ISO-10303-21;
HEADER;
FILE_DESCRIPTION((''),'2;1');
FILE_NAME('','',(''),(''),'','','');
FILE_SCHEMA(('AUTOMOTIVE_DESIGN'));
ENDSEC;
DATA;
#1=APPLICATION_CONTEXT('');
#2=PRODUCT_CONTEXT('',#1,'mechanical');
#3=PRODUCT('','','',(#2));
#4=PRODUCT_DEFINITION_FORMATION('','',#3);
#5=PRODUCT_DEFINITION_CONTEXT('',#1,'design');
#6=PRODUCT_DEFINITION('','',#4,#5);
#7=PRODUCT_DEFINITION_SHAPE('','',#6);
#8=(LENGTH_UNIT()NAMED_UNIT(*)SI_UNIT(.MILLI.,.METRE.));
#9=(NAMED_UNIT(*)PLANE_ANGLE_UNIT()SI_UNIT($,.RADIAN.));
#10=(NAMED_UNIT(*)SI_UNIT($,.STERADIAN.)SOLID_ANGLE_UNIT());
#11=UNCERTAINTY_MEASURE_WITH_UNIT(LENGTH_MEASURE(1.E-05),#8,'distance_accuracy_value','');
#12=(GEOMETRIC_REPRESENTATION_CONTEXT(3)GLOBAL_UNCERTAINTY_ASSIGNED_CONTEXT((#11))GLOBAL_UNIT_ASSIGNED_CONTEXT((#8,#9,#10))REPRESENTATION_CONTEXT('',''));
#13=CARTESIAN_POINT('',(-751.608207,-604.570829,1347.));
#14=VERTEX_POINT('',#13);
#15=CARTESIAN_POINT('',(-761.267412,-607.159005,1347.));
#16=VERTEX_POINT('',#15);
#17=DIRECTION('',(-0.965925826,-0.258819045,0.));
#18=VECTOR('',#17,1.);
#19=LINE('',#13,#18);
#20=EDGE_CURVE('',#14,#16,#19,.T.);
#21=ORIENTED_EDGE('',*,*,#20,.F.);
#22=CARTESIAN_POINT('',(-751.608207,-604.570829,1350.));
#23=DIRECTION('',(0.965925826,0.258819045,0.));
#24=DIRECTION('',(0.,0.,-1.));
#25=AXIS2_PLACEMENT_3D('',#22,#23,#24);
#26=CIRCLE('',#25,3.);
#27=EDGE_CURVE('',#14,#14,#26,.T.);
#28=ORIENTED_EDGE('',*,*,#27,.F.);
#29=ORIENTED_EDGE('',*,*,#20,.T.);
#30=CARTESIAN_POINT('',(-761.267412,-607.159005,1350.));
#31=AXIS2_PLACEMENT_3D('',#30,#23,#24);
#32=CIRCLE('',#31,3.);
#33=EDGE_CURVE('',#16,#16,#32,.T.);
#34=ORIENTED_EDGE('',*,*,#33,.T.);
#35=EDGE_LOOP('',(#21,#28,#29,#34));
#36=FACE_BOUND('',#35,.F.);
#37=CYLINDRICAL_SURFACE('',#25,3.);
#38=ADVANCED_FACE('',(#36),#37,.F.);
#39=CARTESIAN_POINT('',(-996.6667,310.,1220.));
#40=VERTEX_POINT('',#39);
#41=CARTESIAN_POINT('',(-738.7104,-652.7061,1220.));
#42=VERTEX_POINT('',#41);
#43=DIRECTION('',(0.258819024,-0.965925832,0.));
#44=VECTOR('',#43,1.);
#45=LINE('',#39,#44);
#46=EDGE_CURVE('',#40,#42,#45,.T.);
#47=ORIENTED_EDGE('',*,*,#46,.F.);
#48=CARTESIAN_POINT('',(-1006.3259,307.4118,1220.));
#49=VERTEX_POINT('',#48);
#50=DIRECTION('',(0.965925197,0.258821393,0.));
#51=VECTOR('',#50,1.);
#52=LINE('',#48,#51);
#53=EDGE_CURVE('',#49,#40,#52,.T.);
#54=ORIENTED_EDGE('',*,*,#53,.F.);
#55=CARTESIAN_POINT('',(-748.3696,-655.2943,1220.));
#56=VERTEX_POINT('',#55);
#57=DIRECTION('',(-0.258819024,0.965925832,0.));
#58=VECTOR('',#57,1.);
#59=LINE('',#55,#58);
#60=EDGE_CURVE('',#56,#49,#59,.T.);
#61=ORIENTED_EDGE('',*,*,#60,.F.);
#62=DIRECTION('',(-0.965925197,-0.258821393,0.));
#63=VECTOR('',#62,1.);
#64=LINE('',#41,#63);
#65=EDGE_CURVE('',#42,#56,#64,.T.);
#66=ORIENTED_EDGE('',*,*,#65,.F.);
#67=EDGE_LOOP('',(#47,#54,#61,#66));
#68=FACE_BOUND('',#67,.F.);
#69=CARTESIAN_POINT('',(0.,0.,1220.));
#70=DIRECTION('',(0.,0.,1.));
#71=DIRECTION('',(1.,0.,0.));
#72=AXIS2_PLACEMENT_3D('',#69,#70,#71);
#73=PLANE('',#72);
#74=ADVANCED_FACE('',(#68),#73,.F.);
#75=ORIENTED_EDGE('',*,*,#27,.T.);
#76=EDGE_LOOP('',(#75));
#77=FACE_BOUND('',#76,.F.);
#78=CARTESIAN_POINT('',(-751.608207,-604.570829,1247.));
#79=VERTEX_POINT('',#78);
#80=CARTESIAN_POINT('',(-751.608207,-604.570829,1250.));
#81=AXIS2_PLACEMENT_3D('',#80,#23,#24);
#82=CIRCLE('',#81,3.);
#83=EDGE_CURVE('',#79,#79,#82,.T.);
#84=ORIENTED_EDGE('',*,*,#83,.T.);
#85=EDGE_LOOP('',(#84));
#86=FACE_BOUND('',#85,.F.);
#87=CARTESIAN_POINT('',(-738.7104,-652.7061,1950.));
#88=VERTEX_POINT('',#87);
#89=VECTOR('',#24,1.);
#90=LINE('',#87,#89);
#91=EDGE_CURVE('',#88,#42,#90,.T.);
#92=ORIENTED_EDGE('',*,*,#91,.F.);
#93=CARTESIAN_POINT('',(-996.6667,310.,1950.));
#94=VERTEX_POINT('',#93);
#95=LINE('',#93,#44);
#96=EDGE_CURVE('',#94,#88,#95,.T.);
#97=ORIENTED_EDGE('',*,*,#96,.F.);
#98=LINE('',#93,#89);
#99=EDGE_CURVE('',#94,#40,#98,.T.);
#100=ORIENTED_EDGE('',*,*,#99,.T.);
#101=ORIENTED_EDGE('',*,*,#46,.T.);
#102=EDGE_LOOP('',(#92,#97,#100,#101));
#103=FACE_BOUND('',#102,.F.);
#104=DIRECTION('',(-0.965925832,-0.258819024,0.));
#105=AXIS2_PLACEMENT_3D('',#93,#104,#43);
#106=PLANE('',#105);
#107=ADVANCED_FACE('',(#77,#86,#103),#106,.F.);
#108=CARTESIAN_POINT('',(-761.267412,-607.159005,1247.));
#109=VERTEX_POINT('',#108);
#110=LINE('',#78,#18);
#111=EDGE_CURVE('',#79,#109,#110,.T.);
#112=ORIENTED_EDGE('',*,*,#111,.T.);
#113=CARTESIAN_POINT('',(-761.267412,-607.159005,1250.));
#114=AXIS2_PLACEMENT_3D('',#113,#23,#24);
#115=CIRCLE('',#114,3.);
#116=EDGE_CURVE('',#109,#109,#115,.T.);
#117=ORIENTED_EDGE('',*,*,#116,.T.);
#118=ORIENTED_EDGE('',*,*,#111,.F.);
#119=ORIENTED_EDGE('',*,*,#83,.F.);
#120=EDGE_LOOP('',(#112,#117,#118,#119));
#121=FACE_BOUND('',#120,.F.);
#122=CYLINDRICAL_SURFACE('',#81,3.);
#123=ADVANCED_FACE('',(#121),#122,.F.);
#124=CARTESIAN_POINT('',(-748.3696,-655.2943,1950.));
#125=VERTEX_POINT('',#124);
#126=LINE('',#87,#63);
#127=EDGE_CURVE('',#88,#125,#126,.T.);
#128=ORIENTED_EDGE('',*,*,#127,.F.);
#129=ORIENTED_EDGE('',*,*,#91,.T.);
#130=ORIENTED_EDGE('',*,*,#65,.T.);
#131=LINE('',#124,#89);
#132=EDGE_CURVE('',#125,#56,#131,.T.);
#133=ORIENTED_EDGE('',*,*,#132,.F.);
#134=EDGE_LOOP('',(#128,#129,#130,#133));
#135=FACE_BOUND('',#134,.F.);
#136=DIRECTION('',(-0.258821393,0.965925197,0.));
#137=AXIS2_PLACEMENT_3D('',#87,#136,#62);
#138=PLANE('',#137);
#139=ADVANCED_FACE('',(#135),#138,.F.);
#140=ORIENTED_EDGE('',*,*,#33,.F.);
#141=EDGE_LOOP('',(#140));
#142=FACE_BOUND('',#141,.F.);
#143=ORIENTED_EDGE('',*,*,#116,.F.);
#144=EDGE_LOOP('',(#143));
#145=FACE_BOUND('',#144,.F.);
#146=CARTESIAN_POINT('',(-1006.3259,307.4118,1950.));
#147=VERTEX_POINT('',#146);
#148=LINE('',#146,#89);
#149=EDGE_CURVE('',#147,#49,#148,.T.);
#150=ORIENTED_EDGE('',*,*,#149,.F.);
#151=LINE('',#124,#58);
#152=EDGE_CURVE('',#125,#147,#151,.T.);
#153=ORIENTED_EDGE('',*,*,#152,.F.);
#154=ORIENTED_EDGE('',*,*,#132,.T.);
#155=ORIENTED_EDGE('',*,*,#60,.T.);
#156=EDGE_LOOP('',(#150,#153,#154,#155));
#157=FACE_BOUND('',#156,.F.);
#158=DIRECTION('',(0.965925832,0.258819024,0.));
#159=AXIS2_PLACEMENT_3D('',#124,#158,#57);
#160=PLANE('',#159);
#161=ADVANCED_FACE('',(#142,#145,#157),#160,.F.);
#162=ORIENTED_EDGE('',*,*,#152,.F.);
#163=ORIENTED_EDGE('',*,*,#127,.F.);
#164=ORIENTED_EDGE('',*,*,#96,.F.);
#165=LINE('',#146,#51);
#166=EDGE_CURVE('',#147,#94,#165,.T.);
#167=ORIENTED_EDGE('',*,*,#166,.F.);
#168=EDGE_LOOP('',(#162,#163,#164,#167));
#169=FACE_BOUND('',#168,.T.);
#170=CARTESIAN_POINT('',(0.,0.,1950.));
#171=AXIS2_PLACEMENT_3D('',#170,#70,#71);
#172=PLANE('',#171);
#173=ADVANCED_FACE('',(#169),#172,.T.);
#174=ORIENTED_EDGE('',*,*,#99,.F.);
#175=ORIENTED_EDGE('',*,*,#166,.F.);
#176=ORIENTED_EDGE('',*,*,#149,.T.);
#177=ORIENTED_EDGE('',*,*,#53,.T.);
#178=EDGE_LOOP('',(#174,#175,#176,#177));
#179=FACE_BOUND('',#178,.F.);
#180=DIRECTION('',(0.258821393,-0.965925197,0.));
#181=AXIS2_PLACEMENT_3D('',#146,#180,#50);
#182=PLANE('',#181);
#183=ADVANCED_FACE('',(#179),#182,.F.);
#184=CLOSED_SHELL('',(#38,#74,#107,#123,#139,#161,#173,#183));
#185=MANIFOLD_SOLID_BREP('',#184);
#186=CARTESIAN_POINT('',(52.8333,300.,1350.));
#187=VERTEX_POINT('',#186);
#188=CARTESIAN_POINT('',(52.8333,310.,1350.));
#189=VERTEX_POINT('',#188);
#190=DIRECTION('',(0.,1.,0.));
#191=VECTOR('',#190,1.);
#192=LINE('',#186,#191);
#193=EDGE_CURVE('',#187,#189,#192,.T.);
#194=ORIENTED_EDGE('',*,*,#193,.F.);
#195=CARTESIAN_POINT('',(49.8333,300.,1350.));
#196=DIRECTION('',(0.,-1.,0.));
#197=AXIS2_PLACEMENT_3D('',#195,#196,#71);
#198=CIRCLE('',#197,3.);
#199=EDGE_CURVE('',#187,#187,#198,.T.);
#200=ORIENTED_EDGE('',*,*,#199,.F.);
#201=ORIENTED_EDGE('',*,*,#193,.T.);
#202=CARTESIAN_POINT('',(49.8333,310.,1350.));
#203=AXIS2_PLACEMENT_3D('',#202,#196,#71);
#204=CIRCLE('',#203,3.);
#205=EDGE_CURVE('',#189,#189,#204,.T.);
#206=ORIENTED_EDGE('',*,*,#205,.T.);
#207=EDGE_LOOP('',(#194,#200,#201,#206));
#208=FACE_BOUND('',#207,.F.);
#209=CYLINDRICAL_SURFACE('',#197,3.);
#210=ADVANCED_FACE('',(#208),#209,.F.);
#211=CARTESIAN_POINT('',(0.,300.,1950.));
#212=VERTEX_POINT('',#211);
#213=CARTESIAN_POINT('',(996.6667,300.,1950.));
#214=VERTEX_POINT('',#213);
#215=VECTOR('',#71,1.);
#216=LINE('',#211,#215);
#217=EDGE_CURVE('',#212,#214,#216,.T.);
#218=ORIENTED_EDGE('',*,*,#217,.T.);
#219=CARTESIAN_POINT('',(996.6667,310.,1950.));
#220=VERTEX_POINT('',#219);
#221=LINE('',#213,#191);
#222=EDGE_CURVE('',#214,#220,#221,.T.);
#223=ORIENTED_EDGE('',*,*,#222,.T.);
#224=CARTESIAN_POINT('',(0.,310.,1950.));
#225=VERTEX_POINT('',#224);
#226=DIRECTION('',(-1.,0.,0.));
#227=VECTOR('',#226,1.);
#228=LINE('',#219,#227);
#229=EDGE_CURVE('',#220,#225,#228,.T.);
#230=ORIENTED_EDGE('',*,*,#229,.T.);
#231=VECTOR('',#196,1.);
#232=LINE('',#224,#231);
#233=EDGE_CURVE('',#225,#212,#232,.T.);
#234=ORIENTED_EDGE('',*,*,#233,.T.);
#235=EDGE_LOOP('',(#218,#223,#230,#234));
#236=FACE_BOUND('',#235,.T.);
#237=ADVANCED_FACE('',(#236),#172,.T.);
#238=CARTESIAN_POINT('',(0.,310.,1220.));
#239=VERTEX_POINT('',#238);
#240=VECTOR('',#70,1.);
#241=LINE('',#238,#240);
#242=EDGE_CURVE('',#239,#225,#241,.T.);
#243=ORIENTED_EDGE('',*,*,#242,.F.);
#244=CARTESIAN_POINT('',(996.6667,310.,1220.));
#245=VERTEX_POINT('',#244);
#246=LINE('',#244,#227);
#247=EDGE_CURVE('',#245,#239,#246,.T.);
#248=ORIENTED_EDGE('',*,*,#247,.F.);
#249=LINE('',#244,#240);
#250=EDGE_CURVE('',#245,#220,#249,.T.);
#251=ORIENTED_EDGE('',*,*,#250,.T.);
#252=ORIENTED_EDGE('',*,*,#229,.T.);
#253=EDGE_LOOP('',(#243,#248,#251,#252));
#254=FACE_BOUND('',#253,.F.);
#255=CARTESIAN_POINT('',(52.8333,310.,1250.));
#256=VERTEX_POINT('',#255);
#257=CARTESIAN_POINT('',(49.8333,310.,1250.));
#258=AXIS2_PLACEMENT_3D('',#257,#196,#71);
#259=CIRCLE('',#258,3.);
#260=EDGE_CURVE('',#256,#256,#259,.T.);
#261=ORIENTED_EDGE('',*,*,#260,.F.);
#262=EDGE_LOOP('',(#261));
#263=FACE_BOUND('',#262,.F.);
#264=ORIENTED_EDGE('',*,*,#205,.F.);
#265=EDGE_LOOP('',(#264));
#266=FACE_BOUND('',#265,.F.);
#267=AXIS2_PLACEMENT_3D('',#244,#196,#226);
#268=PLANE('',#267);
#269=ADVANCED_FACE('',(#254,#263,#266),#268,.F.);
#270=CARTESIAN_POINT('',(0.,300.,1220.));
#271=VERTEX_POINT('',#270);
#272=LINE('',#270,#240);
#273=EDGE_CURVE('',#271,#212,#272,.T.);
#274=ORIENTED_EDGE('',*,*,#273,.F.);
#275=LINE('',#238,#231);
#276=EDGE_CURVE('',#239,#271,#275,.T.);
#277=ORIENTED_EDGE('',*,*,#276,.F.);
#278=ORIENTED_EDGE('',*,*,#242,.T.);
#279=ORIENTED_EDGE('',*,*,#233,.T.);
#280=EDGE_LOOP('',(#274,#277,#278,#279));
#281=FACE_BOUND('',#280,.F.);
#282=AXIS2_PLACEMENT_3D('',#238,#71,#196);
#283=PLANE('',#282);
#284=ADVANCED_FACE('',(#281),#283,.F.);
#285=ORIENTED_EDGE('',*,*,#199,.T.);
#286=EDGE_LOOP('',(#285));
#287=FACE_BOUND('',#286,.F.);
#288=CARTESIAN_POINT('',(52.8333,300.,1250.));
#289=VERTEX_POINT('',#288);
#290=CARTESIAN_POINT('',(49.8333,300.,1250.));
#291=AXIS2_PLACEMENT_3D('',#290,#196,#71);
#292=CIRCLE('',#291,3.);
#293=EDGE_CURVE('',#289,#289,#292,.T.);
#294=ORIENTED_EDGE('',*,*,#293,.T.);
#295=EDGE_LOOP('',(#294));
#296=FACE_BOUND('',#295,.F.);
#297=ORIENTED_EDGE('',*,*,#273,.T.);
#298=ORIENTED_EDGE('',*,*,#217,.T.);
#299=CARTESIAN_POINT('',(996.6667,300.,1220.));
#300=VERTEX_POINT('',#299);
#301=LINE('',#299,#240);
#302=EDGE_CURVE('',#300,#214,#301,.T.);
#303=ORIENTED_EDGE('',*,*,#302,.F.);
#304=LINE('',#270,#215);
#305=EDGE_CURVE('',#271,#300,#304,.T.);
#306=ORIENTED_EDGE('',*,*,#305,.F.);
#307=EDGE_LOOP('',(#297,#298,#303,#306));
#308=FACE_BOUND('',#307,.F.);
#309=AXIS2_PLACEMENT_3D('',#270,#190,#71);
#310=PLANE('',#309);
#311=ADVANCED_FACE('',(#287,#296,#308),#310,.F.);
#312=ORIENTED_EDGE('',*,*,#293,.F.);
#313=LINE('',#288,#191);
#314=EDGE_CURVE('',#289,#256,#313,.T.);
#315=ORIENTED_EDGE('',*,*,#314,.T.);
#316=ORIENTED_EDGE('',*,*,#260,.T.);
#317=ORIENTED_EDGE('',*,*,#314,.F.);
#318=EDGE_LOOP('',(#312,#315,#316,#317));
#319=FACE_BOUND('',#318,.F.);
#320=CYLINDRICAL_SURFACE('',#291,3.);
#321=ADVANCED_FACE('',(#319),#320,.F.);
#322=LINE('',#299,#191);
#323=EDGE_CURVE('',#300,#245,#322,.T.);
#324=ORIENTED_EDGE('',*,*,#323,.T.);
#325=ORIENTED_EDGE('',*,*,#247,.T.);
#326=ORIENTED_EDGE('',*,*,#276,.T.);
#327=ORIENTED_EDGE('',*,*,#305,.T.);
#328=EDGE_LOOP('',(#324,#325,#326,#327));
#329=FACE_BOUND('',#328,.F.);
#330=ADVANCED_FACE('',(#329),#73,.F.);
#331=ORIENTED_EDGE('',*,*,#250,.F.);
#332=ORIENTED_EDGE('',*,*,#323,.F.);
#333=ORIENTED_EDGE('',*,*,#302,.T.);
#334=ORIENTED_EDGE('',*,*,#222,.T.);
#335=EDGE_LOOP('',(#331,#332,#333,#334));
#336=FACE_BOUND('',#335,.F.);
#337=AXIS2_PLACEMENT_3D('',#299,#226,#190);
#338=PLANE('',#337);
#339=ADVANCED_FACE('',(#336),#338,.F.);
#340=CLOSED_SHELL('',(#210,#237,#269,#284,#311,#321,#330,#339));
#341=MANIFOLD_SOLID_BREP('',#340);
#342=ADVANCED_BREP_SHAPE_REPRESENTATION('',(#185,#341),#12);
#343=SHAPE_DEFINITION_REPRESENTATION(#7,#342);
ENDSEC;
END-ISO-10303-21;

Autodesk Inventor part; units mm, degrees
ref_plane "YZ Plane" through (0, 0, 0) normal (1, 0, 0) x (0, 1, 0)
ref_plane "XZ Plane" through (0, 0, 0) normal (0, 1, 0) x (-1, 0, 0)
ref_plane "Plano de trabajo4" through (0, 0, 1220) normal (0, 0, 1) x (1, 0, 0)
sketch "Boceto8" plane through (0, 0, 1220) normal (0, 0, 1) x (1, 0, 0)
  line L0 (480, 0) -> (0, 0) projected
  line L1 (480, 0) -> (480, 10) projected
  line L2 (0, 10) -> (480, 10) projected
  line L3 (0, 0) -> (0, 10) projected
  line L4 (480, 10) -> (0, 10) projected
  line L5 (0, 10) -> (0, 300)
  line L6 (0, 300) -> (996.6667, 300)
  line L7 (996.6667, 300) -> (996.6667, 310)
  line L8 (996.6667, 310) -> (0, 310)
  line L9 (0, 310) -> (0, 300)
  point P0 (0, 0)
  dimension "d38" = 290
  dimension "d39" = 996.6667
  dimension "d40" = 10
extrude "Extrusión8" add sketch "Boceto8" along normal blind 730 contours L9 L8 L7 L6
sketch "Boceto9" plane through (0, 300, 1220) normal (0, -1, 0) x (1, 0, 0)
  line L0 (0, 0) -> (996.6667, 0) construction
  line L1 (996.6667, 0) -> (996.6667, 730) construction
  line L2 (0, 730) -> (996.6667, 730) construction
  line L3 (0, 0) -> (0, 730) construction
  line L4 (0, 80) -> (996.6667, 80) construction
  line L5 (0, 0) -> (996.6667, 0) construction
  line L6 (49.8333, 0) -> (49.8333, 730) construction
  line L7 (0, 730) -> (996.6667, 730) construction
  circle A0 centre (49.8333, 30) radius 3
  circle A1 centre (49.8333, 130) radius 3
  point P0 (0, -1220)
  dimension "d43" = 49.8333
  dimension "d44" = 80
  dimension "d45" = 6
  dimension "d46" = 50
extrude "Extrusión9" cut sketch "Boceto9" against normal up to next
sketch "Boceto10" plane through (0, 0, 1950) normal (0, 0, 1) x (1, 0, 0)
  line L0 (996.6667, 310) -> (0, 310) projected
  line L1 (0, 310) -> (-996.6667, 310)
  line L2 (-996.6667, 310) -> (-738.7104, -652.7061)
  line L3 (-738.7104, -652.7061) -> (-748.3696, -655.2943)
  line L4 (-748.3696, -655.2943) -> (-1006.3259, 307.4118)
  line L5 (-1006.3259, 307.4118) -> (-996.6667, 310)
  point P0 (0, 0)
  dimension "d49" = 996.6667
  dimension "d50" = 996.6667
  dimension "angulo" = 75
  dimension "d52" = 10
  dimension "d53" = 996.6667
extrude "Extrusión10" add sketch "Boceto10" against normal blind 730
sketch "Boceto11" plane through (-738.7104, -652.7061, 1950) normal (0.9659, 0.2588, 0) x (0, 0, -1)
  line L0 (0, 996.6667) -> (0, 0) construction
  line L1 (0, 0) -> (730, 0) construction
  line L2 (730, 996.6667) -> (730, 0) construction
  line L3 (0, 996.6667) -> (730, 996.6667) construction
  line L4 (0, 996.6667) -> (0, 0) construction
  line L5 (0, 49.8333) -> (730, 49.8333) construction
  line L6 (0, 0) -> (730, 0) construction
  line L7 (650, 0) -> (650, 996.6667) construction
  line L8 (0, 996.6667) -> (730, 996.6667) construction
  circle A0 centre (700, 49.8333) radius 3
  circle A1 centre (600, 49.8333) radius 3
  point P0 (1950, 439.2733)
  dimension "d56" = 49.8333
  dimension "d57" = 80
  dimension "d58" = 6
  dimension "d59" = 50
extrude "Extrusión11" cut sketch "Boceto11" against normal up to next
equation "\"d39\" = ancho_m"
equation "\"d40\" = espesor"
equation "\"d43\" = 0.05 * ancho_m"
equation "\"d49\" = ancho_m"
equation "\"d50\" = ancho_m"
equation "\"d52\" = espesor"
equation "\"d53\" = ancho_m"
equation "\"d54\" = h_sup"
equation "\"d56\" = 0.05 * ancho_m"
equation "\"d60\" = h_sup"
equation "\"ancho_m\" = 996.666667"
equation "\"espesor\" = 10"
equation "\"h_sup\" = 730"
properties part number "puerta"
